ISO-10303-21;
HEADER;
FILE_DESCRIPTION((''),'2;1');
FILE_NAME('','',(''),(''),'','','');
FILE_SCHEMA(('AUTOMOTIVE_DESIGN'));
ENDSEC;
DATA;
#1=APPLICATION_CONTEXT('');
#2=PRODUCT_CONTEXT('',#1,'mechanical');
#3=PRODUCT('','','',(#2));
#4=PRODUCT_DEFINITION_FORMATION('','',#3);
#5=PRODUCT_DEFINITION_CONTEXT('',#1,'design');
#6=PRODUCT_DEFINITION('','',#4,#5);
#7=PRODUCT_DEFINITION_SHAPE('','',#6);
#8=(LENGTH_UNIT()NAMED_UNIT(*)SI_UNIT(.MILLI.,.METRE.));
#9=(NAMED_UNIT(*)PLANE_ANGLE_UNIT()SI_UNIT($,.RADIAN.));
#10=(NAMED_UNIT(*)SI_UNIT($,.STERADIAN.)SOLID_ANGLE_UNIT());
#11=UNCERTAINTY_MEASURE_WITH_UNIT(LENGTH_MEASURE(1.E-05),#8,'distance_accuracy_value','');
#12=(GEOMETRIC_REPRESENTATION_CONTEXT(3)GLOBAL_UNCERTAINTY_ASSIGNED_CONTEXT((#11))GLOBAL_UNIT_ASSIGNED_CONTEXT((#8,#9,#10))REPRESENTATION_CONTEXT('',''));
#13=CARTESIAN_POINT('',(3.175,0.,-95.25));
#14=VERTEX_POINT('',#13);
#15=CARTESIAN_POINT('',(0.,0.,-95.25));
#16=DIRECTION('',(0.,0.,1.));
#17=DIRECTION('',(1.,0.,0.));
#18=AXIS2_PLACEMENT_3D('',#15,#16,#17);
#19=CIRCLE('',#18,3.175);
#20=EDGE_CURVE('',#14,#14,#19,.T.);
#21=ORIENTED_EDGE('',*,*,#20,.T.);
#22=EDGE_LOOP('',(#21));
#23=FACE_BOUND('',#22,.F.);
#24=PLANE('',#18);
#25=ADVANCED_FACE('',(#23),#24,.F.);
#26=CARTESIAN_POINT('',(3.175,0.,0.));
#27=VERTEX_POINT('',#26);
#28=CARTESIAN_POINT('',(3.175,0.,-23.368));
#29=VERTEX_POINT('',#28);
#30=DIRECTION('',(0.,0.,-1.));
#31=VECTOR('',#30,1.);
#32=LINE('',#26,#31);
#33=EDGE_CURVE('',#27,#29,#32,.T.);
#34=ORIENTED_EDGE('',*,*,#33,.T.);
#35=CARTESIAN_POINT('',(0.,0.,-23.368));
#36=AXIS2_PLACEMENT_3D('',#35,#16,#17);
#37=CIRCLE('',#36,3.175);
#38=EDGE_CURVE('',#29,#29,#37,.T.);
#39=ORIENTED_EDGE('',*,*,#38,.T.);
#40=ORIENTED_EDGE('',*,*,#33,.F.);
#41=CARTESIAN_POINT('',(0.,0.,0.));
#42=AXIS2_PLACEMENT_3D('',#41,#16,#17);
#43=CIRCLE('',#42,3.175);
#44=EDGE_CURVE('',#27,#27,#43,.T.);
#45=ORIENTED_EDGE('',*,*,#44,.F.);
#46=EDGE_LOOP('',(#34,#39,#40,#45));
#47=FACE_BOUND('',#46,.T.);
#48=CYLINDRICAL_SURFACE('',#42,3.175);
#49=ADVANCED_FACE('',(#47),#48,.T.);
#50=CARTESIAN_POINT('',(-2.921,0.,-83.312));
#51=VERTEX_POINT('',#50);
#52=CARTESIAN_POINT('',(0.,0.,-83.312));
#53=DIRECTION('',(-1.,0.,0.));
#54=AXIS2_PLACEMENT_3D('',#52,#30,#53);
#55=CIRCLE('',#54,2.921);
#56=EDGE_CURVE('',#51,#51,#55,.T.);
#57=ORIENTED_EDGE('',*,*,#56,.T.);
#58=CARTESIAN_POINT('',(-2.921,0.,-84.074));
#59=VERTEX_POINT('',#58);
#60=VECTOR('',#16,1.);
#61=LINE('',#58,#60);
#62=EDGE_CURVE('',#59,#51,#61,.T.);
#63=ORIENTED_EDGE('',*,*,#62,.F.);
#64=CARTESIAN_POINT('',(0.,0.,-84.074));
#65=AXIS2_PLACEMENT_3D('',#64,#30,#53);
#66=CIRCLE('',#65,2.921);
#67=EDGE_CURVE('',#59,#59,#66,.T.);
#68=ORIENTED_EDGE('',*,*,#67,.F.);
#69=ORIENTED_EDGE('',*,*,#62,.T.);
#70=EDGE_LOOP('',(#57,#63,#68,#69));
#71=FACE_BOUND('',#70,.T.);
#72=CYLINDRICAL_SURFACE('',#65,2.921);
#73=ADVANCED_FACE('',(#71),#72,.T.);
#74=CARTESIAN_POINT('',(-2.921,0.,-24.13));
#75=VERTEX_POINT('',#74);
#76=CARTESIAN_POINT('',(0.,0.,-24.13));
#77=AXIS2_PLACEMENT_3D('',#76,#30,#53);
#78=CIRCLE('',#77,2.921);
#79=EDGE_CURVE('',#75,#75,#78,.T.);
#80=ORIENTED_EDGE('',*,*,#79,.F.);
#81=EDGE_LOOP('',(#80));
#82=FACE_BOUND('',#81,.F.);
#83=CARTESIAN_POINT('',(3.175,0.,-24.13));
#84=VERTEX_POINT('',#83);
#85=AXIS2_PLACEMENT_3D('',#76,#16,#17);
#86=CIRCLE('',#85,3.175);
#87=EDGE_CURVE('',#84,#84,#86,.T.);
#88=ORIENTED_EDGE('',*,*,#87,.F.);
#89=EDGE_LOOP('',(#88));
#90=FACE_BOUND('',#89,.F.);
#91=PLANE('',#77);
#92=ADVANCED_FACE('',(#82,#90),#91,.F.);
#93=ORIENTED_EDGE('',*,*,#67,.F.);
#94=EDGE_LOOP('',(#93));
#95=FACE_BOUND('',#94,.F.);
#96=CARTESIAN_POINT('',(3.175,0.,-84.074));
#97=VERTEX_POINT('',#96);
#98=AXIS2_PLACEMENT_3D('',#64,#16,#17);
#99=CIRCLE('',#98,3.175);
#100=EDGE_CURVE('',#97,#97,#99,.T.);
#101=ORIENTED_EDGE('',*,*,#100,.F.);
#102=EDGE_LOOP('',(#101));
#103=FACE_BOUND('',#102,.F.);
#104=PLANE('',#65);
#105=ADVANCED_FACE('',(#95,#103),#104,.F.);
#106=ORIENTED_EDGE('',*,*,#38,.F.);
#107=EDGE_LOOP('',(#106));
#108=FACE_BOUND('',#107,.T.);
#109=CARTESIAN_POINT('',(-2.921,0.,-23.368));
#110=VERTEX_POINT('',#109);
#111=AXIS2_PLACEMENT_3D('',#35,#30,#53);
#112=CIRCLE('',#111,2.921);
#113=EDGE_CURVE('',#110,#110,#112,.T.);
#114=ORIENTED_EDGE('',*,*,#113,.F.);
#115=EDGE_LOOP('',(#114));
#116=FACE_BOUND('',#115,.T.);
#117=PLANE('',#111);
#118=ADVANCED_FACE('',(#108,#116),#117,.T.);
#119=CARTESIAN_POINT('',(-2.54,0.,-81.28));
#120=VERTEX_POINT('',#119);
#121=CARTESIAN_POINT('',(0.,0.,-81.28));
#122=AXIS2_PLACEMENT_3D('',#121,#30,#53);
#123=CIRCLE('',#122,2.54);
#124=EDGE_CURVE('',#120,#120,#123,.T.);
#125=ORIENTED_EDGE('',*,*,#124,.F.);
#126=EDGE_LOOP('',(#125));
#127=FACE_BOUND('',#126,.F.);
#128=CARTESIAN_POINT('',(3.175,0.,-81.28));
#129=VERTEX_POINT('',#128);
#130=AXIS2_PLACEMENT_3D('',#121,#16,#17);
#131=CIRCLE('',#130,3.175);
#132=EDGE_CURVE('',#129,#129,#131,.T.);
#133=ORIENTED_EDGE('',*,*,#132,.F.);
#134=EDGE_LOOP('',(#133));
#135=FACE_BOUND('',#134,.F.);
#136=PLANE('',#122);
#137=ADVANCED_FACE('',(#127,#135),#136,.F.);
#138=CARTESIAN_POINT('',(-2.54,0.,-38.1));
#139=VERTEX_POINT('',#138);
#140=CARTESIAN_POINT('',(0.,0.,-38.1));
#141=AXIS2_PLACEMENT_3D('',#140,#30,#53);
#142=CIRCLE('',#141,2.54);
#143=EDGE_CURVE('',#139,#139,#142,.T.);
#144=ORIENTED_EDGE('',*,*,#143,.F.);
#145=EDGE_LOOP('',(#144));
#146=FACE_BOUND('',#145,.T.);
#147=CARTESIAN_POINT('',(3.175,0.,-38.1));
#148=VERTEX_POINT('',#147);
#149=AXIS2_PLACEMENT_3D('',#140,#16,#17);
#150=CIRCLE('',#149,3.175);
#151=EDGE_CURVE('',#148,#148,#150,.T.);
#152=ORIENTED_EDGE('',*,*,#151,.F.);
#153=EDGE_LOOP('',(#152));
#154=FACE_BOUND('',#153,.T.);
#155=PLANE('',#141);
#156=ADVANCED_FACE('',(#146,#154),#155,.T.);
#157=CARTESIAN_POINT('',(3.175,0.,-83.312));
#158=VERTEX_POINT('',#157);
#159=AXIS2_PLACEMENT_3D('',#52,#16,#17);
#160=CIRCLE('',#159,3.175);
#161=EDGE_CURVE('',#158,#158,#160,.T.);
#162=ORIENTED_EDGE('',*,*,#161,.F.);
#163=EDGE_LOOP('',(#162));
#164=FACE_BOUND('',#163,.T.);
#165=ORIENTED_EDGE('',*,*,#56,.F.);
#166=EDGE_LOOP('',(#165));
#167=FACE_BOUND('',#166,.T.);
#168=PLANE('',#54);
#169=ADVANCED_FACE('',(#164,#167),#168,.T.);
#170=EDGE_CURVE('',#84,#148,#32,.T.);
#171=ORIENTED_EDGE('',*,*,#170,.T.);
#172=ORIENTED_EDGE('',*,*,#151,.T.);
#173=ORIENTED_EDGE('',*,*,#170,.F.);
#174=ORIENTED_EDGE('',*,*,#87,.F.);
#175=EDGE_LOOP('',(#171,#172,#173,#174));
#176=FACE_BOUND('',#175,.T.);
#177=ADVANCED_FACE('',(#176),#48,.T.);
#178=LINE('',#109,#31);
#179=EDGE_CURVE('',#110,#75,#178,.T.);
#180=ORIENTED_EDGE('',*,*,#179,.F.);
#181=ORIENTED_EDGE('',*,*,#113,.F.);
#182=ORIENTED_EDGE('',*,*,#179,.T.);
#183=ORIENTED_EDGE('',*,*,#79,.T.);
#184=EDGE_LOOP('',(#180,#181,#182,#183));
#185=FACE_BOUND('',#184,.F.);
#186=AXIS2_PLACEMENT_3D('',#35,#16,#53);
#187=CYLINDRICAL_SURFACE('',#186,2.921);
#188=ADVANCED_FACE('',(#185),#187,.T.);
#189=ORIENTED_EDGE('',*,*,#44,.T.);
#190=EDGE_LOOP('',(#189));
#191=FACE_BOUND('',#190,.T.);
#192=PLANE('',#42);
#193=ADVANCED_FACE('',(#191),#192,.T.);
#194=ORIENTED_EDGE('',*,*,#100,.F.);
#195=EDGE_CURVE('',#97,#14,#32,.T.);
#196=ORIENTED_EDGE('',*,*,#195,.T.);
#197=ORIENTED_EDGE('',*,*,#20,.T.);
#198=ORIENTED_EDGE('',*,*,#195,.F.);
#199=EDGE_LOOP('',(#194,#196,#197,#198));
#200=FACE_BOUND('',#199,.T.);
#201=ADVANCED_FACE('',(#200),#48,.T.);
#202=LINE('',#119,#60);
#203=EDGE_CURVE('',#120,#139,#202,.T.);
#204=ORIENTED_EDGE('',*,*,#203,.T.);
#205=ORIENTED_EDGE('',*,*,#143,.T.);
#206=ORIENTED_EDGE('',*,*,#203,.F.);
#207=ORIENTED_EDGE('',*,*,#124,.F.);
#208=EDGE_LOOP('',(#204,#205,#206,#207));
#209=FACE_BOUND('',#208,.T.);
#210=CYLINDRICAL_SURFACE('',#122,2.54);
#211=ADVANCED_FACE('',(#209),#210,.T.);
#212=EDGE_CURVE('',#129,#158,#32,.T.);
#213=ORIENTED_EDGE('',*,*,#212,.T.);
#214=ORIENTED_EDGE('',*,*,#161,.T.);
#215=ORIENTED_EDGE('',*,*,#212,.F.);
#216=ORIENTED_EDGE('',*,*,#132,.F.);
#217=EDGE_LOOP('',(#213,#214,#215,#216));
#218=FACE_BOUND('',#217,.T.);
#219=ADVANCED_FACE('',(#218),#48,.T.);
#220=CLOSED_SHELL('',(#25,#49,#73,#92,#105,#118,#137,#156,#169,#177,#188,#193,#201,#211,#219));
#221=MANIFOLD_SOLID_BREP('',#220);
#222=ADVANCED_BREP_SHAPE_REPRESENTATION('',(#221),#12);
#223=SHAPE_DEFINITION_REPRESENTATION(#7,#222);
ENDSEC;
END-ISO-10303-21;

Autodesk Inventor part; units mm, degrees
ref_plane "YZ Plane" through (0, 0, 0) normal (1, 0, 0) x (0, 1, 0)
ref_plane "XY Plane" through (0, 0, 0) normal (0, 0, 1) x (1, 0, 0)
sketch "Sketch1" plane through (0, 0, 0) normal (0, 0, 1) x (1, 0, 0)
  circle A0 centre (0, 0) radius 3.175
  dimension "d0" = 6.35
extrude "Extrusion1" add sketch "Sketch1" against normal blind 95.25
ref_plane "Work Plane5" through (0, 0, -81.28) normal (0, 0, -1) x (-1, 0, 0)
sketch "Sketch6" plane through (0, 0, -81.28) normal (0, 0, -1) x (-1, 0, 0)
  circle A0 centre (0, 0) radius 2.54
  circle A1 centre (0, 0) radius 3.175
  dimension "d11" = 5.08
  dimension "d12" = 6.35
extrude "Extrusion4" cut sketch "Sketch6" against normal blind 43.18
ref_plane "Work Plane6" through (0, 0, -84.074) normal (0, 0, -1) x (-1, 0, 0)
sketch "Sketch7" plane through (0, 0, -84.074) normal (0, 0, -1) x (-1, 0, 0)
  circle A0 centre (0, 0) radius 3.175
  circle A1 centre (0, 0) radius 2.921
  dimension "d16" = 6.35
  dimension "d17" = 5.842
extrude "Extrusion5" cut sketch "Sketch7" against normal blind 0.762
ref_plane "Work Plane7" through (0, 0, -23.368) normal (0, 0, -1) x (-1, 0, 0)
sketch "Sketch8" plane through (0, 0, -23.368) normal (0, 0, -1) x (-1, 0, 0)
  circle A0 centre (0, 0) radius 3.175
  circle A1 centre (0, 0) radius 2.921
  dimension "d21" = 6.35
  dimension "d22" = 5.842
extrude "Extrusion6" cut sketch "Sketch8" along normal blind 0.762
properties part number "ShaftStraight" material "Aluminum-6061"
